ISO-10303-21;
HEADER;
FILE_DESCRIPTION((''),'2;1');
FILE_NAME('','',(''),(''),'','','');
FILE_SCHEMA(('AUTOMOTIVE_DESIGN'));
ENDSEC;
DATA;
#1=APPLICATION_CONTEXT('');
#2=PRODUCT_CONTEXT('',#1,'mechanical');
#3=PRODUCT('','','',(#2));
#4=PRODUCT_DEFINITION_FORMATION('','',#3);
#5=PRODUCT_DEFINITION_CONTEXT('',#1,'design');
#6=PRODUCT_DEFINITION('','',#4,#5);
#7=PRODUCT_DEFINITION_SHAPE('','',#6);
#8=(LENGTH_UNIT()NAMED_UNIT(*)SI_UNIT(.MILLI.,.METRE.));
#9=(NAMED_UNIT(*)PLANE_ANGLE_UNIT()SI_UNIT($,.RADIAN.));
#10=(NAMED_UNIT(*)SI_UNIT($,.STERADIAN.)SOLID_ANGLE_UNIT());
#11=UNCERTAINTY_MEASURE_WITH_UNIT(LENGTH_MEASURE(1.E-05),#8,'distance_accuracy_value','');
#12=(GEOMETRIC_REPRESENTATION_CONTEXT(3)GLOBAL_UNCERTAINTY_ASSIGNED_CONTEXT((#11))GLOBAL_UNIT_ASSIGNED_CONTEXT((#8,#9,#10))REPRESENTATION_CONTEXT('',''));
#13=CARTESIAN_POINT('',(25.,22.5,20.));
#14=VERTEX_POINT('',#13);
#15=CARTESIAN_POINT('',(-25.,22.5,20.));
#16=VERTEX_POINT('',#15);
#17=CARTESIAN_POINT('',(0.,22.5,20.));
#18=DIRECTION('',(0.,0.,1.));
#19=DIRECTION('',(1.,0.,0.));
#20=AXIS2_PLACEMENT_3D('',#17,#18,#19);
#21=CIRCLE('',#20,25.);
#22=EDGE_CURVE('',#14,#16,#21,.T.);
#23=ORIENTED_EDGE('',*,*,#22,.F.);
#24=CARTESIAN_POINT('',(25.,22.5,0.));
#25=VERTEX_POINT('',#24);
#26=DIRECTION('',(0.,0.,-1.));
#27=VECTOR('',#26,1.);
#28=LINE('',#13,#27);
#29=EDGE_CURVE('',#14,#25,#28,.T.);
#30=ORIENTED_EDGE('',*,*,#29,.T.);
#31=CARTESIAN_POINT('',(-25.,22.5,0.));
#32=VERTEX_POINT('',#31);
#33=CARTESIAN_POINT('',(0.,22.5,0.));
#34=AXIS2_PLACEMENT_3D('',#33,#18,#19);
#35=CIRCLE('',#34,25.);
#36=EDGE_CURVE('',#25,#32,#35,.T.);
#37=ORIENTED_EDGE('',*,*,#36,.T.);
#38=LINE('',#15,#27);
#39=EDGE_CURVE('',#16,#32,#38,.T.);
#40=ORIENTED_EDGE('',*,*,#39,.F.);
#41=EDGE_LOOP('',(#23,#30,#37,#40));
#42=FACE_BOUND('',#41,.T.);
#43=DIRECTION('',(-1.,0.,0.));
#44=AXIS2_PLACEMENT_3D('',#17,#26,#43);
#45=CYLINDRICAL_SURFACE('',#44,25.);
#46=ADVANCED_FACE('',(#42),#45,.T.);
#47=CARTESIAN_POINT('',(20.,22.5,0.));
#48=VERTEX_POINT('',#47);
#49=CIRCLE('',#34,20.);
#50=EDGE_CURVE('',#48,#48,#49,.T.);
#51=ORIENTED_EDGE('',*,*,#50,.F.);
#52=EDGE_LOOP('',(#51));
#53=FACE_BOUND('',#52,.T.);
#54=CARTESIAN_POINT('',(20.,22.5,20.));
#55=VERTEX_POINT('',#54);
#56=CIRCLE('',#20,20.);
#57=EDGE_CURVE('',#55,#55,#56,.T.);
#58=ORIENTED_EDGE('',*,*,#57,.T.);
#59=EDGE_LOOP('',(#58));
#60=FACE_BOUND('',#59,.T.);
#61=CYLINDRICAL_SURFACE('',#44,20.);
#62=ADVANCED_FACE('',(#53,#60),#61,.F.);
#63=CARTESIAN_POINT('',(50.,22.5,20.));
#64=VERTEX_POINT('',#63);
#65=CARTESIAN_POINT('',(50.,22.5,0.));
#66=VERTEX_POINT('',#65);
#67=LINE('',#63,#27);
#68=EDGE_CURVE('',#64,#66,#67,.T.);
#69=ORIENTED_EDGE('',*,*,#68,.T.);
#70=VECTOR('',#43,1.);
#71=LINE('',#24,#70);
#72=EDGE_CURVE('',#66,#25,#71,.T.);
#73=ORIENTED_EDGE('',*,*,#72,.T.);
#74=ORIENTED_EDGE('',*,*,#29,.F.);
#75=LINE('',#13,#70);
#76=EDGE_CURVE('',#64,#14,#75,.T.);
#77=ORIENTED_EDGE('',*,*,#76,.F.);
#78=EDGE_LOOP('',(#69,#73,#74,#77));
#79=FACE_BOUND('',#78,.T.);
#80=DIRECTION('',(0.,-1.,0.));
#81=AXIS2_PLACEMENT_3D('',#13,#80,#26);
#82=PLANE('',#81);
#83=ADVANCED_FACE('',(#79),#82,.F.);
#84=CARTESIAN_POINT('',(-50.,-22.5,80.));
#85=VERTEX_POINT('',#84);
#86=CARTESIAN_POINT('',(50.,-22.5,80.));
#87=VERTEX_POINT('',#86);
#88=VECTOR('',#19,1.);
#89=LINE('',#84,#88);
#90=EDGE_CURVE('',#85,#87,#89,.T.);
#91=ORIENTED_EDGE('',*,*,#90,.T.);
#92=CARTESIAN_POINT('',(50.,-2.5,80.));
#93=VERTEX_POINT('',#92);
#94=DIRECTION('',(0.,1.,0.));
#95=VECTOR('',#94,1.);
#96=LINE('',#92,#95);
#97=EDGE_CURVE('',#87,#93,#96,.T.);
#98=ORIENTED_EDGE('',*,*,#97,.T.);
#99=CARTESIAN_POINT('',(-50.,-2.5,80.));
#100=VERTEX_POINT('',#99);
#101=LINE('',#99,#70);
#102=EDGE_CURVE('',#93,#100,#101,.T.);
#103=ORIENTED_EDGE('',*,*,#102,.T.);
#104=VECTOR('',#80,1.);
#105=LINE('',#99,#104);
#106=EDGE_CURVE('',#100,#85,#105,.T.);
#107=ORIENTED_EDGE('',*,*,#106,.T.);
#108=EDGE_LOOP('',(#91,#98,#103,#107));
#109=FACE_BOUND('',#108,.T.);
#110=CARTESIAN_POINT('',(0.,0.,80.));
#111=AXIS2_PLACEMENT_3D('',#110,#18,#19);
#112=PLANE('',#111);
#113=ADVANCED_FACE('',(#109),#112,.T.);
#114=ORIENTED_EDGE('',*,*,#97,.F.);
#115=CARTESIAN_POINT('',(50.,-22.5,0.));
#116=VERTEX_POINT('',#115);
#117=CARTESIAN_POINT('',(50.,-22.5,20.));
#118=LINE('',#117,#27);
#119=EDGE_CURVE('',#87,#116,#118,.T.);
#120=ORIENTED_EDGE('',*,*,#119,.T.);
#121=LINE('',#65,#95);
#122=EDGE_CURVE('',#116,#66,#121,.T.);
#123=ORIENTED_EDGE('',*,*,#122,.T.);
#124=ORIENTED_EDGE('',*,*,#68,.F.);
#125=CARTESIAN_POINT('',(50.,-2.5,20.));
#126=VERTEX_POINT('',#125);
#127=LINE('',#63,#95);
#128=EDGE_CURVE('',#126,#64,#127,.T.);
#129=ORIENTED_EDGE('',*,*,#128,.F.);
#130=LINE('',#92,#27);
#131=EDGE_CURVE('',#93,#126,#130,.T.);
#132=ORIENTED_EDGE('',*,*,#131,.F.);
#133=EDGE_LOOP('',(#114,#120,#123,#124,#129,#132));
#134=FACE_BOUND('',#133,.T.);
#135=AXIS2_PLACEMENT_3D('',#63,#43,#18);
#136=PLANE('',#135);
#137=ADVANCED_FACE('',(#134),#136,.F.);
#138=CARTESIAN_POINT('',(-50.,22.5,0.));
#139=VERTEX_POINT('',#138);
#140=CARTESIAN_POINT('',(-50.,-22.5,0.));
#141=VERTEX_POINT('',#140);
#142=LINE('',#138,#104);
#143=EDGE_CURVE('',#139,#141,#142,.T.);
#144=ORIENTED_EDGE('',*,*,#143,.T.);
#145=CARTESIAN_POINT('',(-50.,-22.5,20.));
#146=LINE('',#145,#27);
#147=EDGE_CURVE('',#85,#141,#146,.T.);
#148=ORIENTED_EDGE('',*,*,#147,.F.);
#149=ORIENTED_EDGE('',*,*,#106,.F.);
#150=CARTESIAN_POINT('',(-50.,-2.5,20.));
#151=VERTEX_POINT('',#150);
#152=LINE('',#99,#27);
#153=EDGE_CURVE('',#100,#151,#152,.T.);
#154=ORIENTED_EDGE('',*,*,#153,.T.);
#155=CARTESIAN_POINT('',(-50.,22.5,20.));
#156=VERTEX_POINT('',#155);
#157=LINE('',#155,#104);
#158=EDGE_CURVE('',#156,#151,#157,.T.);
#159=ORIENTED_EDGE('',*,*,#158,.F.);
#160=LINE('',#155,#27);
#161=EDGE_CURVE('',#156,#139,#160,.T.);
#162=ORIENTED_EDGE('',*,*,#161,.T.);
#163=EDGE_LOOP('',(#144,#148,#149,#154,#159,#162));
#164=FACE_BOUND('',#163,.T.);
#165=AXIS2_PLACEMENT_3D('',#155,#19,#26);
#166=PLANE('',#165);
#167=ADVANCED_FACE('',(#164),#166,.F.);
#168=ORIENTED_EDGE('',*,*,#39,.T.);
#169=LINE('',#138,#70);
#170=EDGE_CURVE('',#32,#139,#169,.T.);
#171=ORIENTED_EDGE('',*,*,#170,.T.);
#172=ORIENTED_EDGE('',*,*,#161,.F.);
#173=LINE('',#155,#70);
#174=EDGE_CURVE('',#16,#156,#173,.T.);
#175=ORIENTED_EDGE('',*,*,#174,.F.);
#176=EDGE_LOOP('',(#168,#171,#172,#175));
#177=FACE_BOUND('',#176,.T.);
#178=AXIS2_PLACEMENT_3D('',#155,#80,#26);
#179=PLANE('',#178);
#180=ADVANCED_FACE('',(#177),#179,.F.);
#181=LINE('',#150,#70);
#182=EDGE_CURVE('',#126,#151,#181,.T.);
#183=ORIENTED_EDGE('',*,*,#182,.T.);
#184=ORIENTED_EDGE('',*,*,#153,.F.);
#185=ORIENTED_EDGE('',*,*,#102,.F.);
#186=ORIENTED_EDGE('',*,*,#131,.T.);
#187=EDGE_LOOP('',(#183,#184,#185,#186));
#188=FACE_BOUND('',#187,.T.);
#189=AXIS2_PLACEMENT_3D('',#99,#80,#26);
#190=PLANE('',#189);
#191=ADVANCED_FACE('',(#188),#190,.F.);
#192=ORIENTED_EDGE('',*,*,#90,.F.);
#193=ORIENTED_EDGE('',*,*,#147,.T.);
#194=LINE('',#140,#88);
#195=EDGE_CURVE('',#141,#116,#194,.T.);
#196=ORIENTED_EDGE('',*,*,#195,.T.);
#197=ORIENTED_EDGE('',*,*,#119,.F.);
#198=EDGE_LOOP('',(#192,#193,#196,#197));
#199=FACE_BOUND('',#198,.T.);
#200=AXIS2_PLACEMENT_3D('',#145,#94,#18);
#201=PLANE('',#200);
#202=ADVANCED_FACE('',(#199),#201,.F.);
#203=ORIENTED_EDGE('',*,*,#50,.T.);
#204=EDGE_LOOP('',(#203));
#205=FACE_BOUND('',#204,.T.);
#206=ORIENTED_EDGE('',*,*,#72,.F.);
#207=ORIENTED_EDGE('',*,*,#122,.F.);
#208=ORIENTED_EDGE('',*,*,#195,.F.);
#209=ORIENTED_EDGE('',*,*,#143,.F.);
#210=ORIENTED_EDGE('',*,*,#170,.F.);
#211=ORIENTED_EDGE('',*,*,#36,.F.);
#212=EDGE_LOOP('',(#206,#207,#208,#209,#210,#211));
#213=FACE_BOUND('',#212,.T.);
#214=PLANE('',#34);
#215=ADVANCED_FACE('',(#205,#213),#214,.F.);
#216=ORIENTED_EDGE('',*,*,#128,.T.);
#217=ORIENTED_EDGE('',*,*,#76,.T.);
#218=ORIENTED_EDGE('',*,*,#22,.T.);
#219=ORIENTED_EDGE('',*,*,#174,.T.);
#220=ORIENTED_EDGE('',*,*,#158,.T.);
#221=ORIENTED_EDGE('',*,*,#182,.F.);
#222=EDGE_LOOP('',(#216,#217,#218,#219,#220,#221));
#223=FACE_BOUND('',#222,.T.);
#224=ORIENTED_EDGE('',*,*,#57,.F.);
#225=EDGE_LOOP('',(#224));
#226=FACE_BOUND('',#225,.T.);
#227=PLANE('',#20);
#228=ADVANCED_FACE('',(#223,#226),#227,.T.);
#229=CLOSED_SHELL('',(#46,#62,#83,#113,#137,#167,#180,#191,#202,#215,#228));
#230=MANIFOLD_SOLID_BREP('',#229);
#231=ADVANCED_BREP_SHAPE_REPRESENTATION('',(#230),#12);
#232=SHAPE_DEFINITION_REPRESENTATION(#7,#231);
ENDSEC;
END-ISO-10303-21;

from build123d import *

# Parameters (mm, degrees)
SKETCH1_R           = 20
BOSS_EXTRUDE1_DEPTH = 20
SKETCH2_W           = 100
SKETCH2_H           = 20
BOSS_EXTRUDE2_DEPTH = 60


with BuildPart() as part:
    # Sketch1 → Boss-Extrude1 (new body)
    with BuildSketch(Plane.XY):
        with BuildLine():
            Line((-50, 22.5), (-25, 22.5))
            ThreePointArc((-25, 22.5), (0, 47.5), (25, 22.5))
            Line((25, 22.5), (50, 22.5))
            Line((50, 22.5), (50, -22.5))
            Line((50, -22.5), (-50, -22.5))
            Line((-50, -22.5), (-50, 22.5))
        make_face()
        with Locations((0, 22.5)):
            Circle(SKETCH1_R, mode=Mode.SUBTRACT)
    extrude(amount=BOSS_EXTRUDE1_DEPTH)

    # Sketch2 → Boss-Extrude2 (add)
    with BuildSketch(Plane.XY.offset(20)):
        with Locations((0, -12.5)):
            Rectangle(SKETCH2_W, SKETCH2_H)
    extrude(amount=BOSS_EXTRUDE2_DEPTH)


solid = part.part
